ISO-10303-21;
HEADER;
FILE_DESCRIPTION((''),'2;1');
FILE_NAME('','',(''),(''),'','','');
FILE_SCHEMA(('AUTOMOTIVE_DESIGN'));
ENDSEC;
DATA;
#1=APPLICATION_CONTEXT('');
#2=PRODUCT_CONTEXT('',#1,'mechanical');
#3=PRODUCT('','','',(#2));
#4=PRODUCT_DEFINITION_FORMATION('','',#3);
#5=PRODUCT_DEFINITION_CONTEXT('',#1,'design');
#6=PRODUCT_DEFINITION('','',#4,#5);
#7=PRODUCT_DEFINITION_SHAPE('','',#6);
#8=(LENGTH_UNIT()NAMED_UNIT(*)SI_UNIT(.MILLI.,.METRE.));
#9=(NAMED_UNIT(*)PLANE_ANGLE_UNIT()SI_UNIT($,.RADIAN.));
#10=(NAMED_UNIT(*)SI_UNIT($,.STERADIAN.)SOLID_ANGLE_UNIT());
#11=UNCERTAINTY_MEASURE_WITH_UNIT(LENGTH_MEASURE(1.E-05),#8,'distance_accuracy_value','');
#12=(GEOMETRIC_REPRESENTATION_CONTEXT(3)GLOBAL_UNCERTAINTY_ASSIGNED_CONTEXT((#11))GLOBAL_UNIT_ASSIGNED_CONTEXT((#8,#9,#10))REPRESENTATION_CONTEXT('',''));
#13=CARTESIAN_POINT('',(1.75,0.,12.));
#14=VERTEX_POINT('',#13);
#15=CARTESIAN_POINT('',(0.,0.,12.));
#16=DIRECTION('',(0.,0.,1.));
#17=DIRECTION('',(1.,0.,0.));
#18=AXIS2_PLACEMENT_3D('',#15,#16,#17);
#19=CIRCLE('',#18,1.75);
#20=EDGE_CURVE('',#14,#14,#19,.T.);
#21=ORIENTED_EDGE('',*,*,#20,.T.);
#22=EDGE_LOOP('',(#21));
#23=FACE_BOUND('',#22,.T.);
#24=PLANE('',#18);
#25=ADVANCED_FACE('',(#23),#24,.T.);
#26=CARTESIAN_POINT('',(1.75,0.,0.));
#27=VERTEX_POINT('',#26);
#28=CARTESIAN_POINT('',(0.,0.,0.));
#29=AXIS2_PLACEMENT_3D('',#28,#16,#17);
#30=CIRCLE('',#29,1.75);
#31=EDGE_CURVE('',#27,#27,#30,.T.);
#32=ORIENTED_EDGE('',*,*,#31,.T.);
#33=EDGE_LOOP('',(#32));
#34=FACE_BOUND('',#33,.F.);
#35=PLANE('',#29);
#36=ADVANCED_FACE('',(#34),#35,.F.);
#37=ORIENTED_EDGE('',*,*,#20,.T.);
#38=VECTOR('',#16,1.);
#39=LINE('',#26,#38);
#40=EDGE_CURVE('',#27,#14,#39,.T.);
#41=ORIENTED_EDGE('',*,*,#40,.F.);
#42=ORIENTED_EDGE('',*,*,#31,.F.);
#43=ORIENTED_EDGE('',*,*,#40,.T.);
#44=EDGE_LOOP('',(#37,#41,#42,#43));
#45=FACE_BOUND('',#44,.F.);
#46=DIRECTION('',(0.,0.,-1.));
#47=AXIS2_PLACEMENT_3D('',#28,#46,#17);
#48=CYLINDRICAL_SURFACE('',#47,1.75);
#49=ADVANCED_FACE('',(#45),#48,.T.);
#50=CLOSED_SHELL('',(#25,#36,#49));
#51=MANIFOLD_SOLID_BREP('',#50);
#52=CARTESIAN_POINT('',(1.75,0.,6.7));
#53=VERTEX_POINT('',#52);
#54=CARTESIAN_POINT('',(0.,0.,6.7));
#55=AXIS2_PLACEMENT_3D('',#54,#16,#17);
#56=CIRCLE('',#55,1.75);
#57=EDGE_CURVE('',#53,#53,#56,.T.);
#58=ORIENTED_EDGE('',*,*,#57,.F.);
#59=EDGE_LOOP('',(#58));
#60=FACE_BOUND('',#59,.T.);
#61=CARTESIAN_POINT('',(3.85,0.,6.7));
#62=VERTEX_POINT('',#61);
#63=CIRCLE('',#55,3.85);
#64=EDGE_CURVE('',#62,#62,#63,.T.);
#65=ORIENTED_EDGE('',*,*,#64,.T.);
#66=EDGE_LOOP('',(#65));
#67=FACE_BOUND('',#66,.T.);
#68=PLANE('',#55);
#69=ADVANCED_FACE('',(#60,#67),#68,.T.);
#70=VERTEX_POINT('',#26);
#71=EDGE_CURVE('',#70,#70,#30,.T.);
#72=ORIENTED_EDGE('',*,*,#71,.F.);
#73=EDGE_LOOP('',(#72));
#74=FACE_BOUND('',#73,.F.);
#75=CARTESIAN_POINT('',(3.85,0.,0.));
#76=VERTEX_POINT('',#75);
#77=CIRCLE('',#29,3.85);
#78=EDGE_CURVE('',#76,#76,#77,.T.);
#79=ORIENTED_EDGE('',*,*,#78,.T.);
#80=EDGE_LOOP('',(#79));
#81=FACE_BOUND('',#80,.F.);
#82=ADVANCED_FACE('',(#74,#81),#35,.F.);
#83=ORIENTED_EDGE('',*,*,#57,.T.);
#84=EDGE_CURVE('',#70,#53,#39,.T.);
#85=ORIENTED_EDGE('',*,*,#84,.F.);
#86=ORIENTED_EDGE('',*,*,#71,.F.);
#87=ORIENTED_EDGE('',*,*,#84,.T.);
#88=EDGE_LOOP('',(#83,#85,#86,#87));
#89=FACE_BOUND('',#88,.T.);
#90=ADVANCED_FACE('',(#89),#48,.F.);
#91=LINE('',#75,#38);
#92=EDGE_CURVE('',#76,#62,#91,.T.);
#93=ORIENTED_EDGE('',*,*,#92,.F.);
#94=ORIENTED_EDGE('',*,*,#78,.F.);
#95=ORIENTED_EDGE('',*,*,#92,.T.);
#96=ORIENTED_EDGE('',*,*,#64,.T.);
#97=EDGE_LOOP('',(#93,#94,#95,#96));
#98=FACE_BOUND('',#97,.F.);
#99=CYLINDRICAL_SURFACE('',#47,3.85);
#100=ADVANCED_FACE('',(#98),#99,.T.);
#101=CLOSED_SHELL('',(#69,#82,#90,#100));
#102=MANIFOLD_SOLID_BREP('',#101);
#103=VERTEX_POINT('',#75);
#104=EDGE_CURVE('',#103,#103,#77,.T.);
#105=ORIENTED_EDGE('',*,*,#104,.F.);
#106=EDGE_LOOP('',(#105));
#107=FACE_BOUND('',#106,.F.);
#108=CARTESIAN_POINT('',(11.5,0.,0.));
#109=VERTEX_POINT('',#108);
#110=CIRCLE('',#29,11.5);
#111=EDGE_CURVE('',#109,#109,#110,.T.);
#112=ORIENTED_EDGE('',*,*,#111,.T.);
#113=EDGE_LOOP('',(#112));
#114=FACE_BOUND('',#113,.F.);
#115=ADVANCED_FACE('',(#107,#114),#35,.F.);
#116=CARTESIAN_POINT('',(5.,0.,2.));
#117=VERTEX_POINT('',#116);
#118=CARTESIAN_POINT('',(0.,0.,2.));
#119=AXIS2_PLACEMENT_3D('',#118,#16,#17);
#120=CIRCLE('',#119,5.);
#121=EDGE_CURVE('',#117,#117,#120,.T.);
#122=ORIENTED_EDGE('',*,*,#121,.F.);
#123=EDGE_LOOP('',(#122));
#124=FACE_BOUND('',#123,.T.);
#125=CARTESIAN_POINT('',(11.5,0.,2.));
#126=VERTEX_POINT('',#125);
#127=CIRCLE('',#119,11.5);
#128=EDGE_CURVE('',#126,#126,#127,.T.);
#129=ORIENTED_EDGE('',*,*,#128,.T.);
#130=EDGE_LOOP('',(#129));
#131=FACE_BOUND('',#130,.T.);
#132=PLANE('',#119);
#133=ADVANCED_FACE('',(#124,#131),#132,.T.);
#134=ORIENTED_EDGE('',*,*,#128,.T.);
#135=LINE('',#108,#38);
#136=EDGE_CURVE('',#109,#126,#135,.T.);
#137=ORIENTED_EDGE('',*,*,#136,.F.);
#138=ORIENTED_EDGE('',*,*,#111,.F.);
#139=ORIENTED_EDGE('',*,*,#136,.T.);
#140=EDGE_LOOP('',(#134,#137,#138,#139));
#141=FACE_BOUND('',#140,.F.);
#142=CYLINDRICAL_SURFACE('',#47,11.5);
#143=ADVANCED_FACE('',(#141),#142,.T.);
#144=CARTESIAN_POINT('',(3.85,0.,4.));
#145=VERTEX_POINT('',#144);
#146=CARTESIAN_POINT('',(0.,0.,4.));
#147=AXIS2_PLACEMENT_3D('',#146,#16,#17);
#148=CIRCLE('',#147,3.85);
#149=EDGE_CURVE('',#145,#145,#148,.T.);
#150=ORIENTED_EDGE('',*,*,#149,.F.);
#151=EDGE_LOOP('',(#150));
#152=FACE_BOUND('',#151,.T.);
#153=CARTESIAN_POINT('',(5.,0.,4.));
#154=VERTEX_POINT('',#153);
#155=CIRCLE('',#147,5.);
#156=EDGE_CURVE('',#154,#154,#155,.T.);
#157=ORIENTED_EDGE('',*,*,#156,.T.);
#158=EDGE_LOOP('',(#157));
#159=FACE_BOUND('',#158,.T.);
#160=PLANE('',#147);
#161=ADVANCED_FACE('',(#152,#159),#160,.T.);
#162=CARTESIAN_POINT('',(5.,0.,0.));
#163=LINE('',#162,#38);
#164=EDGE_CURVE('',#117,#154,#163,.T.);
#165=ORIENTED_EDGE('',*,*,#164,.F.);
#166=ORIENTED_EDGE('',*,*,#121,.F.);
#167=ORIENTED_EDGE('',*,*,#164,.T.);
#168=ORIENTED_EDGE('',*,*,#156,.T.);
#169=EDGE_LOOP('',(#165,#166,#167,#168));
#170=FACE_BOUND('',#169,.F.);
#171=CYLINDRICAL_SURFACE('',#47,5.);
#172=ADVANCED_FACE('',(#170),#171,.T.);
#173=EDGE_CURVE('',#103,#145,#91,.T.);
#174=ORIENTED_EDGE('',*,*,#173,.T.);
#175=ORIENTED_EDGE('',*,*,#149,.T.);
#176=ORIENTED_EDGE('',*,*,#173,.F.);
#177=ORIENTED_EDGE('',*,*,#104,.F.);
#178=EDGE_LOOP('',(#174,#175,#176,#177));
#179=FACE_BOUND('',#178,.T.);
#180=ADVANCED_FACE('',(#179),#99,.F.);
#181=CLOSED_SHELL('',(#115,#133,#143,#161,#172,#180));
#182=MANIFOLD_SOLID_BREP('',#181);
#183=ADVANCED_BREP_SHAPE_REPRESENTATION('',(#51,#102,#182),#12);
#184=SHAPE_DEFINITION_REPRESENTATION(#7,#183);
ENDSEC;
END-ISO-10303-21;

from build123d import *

# Parameters (mm, degrees)
F0_R     = 11.5
F0_R_2   = 5
F1_DEPTH = 2
F0_R_3   = 3.85
F2_DEPTH = 4
F0_R_4   = 1.75
F3_DEPTH = 12
F4_DEPTH = 6.7


with BuildPart() as f1:
    # F0 (on Top) → F1 (new body)
    with BuildSketch(Plane.XY):
        Circle(F0_R)
        Circle(F0_R_2, mode=Mode.SUBTRACT)
    extrude(amount=F1_DEPTH)

    # F0 (on Top) → F2 (join)
    with BuildSketch(Plane.XY):
        Circle(F0_R_2)
        Circle(F0_R_3, mode=Mode.SUBTRACT)
    extrude(amount=F2_DEPTH)


with BuildPart() as f3:
    # F0 (on Top) → F3 (new body)
    with BuildSketch(Plane.XY):
        Circle(F0_R_4)
    extrude(amount=F3_DEPTH)


with BuildPart() as f4:
    # F0 (on Top) → F4 (new body)
    with BuildSketch(Plane.XY):
        Circle(F0_R_3)
        Circle(F0_R_4, mode=Mode.SUBTRACT)
    extrude(amount=F4_DEPTH)


solid = Compound([f1.part, f3.part, f4.part])
